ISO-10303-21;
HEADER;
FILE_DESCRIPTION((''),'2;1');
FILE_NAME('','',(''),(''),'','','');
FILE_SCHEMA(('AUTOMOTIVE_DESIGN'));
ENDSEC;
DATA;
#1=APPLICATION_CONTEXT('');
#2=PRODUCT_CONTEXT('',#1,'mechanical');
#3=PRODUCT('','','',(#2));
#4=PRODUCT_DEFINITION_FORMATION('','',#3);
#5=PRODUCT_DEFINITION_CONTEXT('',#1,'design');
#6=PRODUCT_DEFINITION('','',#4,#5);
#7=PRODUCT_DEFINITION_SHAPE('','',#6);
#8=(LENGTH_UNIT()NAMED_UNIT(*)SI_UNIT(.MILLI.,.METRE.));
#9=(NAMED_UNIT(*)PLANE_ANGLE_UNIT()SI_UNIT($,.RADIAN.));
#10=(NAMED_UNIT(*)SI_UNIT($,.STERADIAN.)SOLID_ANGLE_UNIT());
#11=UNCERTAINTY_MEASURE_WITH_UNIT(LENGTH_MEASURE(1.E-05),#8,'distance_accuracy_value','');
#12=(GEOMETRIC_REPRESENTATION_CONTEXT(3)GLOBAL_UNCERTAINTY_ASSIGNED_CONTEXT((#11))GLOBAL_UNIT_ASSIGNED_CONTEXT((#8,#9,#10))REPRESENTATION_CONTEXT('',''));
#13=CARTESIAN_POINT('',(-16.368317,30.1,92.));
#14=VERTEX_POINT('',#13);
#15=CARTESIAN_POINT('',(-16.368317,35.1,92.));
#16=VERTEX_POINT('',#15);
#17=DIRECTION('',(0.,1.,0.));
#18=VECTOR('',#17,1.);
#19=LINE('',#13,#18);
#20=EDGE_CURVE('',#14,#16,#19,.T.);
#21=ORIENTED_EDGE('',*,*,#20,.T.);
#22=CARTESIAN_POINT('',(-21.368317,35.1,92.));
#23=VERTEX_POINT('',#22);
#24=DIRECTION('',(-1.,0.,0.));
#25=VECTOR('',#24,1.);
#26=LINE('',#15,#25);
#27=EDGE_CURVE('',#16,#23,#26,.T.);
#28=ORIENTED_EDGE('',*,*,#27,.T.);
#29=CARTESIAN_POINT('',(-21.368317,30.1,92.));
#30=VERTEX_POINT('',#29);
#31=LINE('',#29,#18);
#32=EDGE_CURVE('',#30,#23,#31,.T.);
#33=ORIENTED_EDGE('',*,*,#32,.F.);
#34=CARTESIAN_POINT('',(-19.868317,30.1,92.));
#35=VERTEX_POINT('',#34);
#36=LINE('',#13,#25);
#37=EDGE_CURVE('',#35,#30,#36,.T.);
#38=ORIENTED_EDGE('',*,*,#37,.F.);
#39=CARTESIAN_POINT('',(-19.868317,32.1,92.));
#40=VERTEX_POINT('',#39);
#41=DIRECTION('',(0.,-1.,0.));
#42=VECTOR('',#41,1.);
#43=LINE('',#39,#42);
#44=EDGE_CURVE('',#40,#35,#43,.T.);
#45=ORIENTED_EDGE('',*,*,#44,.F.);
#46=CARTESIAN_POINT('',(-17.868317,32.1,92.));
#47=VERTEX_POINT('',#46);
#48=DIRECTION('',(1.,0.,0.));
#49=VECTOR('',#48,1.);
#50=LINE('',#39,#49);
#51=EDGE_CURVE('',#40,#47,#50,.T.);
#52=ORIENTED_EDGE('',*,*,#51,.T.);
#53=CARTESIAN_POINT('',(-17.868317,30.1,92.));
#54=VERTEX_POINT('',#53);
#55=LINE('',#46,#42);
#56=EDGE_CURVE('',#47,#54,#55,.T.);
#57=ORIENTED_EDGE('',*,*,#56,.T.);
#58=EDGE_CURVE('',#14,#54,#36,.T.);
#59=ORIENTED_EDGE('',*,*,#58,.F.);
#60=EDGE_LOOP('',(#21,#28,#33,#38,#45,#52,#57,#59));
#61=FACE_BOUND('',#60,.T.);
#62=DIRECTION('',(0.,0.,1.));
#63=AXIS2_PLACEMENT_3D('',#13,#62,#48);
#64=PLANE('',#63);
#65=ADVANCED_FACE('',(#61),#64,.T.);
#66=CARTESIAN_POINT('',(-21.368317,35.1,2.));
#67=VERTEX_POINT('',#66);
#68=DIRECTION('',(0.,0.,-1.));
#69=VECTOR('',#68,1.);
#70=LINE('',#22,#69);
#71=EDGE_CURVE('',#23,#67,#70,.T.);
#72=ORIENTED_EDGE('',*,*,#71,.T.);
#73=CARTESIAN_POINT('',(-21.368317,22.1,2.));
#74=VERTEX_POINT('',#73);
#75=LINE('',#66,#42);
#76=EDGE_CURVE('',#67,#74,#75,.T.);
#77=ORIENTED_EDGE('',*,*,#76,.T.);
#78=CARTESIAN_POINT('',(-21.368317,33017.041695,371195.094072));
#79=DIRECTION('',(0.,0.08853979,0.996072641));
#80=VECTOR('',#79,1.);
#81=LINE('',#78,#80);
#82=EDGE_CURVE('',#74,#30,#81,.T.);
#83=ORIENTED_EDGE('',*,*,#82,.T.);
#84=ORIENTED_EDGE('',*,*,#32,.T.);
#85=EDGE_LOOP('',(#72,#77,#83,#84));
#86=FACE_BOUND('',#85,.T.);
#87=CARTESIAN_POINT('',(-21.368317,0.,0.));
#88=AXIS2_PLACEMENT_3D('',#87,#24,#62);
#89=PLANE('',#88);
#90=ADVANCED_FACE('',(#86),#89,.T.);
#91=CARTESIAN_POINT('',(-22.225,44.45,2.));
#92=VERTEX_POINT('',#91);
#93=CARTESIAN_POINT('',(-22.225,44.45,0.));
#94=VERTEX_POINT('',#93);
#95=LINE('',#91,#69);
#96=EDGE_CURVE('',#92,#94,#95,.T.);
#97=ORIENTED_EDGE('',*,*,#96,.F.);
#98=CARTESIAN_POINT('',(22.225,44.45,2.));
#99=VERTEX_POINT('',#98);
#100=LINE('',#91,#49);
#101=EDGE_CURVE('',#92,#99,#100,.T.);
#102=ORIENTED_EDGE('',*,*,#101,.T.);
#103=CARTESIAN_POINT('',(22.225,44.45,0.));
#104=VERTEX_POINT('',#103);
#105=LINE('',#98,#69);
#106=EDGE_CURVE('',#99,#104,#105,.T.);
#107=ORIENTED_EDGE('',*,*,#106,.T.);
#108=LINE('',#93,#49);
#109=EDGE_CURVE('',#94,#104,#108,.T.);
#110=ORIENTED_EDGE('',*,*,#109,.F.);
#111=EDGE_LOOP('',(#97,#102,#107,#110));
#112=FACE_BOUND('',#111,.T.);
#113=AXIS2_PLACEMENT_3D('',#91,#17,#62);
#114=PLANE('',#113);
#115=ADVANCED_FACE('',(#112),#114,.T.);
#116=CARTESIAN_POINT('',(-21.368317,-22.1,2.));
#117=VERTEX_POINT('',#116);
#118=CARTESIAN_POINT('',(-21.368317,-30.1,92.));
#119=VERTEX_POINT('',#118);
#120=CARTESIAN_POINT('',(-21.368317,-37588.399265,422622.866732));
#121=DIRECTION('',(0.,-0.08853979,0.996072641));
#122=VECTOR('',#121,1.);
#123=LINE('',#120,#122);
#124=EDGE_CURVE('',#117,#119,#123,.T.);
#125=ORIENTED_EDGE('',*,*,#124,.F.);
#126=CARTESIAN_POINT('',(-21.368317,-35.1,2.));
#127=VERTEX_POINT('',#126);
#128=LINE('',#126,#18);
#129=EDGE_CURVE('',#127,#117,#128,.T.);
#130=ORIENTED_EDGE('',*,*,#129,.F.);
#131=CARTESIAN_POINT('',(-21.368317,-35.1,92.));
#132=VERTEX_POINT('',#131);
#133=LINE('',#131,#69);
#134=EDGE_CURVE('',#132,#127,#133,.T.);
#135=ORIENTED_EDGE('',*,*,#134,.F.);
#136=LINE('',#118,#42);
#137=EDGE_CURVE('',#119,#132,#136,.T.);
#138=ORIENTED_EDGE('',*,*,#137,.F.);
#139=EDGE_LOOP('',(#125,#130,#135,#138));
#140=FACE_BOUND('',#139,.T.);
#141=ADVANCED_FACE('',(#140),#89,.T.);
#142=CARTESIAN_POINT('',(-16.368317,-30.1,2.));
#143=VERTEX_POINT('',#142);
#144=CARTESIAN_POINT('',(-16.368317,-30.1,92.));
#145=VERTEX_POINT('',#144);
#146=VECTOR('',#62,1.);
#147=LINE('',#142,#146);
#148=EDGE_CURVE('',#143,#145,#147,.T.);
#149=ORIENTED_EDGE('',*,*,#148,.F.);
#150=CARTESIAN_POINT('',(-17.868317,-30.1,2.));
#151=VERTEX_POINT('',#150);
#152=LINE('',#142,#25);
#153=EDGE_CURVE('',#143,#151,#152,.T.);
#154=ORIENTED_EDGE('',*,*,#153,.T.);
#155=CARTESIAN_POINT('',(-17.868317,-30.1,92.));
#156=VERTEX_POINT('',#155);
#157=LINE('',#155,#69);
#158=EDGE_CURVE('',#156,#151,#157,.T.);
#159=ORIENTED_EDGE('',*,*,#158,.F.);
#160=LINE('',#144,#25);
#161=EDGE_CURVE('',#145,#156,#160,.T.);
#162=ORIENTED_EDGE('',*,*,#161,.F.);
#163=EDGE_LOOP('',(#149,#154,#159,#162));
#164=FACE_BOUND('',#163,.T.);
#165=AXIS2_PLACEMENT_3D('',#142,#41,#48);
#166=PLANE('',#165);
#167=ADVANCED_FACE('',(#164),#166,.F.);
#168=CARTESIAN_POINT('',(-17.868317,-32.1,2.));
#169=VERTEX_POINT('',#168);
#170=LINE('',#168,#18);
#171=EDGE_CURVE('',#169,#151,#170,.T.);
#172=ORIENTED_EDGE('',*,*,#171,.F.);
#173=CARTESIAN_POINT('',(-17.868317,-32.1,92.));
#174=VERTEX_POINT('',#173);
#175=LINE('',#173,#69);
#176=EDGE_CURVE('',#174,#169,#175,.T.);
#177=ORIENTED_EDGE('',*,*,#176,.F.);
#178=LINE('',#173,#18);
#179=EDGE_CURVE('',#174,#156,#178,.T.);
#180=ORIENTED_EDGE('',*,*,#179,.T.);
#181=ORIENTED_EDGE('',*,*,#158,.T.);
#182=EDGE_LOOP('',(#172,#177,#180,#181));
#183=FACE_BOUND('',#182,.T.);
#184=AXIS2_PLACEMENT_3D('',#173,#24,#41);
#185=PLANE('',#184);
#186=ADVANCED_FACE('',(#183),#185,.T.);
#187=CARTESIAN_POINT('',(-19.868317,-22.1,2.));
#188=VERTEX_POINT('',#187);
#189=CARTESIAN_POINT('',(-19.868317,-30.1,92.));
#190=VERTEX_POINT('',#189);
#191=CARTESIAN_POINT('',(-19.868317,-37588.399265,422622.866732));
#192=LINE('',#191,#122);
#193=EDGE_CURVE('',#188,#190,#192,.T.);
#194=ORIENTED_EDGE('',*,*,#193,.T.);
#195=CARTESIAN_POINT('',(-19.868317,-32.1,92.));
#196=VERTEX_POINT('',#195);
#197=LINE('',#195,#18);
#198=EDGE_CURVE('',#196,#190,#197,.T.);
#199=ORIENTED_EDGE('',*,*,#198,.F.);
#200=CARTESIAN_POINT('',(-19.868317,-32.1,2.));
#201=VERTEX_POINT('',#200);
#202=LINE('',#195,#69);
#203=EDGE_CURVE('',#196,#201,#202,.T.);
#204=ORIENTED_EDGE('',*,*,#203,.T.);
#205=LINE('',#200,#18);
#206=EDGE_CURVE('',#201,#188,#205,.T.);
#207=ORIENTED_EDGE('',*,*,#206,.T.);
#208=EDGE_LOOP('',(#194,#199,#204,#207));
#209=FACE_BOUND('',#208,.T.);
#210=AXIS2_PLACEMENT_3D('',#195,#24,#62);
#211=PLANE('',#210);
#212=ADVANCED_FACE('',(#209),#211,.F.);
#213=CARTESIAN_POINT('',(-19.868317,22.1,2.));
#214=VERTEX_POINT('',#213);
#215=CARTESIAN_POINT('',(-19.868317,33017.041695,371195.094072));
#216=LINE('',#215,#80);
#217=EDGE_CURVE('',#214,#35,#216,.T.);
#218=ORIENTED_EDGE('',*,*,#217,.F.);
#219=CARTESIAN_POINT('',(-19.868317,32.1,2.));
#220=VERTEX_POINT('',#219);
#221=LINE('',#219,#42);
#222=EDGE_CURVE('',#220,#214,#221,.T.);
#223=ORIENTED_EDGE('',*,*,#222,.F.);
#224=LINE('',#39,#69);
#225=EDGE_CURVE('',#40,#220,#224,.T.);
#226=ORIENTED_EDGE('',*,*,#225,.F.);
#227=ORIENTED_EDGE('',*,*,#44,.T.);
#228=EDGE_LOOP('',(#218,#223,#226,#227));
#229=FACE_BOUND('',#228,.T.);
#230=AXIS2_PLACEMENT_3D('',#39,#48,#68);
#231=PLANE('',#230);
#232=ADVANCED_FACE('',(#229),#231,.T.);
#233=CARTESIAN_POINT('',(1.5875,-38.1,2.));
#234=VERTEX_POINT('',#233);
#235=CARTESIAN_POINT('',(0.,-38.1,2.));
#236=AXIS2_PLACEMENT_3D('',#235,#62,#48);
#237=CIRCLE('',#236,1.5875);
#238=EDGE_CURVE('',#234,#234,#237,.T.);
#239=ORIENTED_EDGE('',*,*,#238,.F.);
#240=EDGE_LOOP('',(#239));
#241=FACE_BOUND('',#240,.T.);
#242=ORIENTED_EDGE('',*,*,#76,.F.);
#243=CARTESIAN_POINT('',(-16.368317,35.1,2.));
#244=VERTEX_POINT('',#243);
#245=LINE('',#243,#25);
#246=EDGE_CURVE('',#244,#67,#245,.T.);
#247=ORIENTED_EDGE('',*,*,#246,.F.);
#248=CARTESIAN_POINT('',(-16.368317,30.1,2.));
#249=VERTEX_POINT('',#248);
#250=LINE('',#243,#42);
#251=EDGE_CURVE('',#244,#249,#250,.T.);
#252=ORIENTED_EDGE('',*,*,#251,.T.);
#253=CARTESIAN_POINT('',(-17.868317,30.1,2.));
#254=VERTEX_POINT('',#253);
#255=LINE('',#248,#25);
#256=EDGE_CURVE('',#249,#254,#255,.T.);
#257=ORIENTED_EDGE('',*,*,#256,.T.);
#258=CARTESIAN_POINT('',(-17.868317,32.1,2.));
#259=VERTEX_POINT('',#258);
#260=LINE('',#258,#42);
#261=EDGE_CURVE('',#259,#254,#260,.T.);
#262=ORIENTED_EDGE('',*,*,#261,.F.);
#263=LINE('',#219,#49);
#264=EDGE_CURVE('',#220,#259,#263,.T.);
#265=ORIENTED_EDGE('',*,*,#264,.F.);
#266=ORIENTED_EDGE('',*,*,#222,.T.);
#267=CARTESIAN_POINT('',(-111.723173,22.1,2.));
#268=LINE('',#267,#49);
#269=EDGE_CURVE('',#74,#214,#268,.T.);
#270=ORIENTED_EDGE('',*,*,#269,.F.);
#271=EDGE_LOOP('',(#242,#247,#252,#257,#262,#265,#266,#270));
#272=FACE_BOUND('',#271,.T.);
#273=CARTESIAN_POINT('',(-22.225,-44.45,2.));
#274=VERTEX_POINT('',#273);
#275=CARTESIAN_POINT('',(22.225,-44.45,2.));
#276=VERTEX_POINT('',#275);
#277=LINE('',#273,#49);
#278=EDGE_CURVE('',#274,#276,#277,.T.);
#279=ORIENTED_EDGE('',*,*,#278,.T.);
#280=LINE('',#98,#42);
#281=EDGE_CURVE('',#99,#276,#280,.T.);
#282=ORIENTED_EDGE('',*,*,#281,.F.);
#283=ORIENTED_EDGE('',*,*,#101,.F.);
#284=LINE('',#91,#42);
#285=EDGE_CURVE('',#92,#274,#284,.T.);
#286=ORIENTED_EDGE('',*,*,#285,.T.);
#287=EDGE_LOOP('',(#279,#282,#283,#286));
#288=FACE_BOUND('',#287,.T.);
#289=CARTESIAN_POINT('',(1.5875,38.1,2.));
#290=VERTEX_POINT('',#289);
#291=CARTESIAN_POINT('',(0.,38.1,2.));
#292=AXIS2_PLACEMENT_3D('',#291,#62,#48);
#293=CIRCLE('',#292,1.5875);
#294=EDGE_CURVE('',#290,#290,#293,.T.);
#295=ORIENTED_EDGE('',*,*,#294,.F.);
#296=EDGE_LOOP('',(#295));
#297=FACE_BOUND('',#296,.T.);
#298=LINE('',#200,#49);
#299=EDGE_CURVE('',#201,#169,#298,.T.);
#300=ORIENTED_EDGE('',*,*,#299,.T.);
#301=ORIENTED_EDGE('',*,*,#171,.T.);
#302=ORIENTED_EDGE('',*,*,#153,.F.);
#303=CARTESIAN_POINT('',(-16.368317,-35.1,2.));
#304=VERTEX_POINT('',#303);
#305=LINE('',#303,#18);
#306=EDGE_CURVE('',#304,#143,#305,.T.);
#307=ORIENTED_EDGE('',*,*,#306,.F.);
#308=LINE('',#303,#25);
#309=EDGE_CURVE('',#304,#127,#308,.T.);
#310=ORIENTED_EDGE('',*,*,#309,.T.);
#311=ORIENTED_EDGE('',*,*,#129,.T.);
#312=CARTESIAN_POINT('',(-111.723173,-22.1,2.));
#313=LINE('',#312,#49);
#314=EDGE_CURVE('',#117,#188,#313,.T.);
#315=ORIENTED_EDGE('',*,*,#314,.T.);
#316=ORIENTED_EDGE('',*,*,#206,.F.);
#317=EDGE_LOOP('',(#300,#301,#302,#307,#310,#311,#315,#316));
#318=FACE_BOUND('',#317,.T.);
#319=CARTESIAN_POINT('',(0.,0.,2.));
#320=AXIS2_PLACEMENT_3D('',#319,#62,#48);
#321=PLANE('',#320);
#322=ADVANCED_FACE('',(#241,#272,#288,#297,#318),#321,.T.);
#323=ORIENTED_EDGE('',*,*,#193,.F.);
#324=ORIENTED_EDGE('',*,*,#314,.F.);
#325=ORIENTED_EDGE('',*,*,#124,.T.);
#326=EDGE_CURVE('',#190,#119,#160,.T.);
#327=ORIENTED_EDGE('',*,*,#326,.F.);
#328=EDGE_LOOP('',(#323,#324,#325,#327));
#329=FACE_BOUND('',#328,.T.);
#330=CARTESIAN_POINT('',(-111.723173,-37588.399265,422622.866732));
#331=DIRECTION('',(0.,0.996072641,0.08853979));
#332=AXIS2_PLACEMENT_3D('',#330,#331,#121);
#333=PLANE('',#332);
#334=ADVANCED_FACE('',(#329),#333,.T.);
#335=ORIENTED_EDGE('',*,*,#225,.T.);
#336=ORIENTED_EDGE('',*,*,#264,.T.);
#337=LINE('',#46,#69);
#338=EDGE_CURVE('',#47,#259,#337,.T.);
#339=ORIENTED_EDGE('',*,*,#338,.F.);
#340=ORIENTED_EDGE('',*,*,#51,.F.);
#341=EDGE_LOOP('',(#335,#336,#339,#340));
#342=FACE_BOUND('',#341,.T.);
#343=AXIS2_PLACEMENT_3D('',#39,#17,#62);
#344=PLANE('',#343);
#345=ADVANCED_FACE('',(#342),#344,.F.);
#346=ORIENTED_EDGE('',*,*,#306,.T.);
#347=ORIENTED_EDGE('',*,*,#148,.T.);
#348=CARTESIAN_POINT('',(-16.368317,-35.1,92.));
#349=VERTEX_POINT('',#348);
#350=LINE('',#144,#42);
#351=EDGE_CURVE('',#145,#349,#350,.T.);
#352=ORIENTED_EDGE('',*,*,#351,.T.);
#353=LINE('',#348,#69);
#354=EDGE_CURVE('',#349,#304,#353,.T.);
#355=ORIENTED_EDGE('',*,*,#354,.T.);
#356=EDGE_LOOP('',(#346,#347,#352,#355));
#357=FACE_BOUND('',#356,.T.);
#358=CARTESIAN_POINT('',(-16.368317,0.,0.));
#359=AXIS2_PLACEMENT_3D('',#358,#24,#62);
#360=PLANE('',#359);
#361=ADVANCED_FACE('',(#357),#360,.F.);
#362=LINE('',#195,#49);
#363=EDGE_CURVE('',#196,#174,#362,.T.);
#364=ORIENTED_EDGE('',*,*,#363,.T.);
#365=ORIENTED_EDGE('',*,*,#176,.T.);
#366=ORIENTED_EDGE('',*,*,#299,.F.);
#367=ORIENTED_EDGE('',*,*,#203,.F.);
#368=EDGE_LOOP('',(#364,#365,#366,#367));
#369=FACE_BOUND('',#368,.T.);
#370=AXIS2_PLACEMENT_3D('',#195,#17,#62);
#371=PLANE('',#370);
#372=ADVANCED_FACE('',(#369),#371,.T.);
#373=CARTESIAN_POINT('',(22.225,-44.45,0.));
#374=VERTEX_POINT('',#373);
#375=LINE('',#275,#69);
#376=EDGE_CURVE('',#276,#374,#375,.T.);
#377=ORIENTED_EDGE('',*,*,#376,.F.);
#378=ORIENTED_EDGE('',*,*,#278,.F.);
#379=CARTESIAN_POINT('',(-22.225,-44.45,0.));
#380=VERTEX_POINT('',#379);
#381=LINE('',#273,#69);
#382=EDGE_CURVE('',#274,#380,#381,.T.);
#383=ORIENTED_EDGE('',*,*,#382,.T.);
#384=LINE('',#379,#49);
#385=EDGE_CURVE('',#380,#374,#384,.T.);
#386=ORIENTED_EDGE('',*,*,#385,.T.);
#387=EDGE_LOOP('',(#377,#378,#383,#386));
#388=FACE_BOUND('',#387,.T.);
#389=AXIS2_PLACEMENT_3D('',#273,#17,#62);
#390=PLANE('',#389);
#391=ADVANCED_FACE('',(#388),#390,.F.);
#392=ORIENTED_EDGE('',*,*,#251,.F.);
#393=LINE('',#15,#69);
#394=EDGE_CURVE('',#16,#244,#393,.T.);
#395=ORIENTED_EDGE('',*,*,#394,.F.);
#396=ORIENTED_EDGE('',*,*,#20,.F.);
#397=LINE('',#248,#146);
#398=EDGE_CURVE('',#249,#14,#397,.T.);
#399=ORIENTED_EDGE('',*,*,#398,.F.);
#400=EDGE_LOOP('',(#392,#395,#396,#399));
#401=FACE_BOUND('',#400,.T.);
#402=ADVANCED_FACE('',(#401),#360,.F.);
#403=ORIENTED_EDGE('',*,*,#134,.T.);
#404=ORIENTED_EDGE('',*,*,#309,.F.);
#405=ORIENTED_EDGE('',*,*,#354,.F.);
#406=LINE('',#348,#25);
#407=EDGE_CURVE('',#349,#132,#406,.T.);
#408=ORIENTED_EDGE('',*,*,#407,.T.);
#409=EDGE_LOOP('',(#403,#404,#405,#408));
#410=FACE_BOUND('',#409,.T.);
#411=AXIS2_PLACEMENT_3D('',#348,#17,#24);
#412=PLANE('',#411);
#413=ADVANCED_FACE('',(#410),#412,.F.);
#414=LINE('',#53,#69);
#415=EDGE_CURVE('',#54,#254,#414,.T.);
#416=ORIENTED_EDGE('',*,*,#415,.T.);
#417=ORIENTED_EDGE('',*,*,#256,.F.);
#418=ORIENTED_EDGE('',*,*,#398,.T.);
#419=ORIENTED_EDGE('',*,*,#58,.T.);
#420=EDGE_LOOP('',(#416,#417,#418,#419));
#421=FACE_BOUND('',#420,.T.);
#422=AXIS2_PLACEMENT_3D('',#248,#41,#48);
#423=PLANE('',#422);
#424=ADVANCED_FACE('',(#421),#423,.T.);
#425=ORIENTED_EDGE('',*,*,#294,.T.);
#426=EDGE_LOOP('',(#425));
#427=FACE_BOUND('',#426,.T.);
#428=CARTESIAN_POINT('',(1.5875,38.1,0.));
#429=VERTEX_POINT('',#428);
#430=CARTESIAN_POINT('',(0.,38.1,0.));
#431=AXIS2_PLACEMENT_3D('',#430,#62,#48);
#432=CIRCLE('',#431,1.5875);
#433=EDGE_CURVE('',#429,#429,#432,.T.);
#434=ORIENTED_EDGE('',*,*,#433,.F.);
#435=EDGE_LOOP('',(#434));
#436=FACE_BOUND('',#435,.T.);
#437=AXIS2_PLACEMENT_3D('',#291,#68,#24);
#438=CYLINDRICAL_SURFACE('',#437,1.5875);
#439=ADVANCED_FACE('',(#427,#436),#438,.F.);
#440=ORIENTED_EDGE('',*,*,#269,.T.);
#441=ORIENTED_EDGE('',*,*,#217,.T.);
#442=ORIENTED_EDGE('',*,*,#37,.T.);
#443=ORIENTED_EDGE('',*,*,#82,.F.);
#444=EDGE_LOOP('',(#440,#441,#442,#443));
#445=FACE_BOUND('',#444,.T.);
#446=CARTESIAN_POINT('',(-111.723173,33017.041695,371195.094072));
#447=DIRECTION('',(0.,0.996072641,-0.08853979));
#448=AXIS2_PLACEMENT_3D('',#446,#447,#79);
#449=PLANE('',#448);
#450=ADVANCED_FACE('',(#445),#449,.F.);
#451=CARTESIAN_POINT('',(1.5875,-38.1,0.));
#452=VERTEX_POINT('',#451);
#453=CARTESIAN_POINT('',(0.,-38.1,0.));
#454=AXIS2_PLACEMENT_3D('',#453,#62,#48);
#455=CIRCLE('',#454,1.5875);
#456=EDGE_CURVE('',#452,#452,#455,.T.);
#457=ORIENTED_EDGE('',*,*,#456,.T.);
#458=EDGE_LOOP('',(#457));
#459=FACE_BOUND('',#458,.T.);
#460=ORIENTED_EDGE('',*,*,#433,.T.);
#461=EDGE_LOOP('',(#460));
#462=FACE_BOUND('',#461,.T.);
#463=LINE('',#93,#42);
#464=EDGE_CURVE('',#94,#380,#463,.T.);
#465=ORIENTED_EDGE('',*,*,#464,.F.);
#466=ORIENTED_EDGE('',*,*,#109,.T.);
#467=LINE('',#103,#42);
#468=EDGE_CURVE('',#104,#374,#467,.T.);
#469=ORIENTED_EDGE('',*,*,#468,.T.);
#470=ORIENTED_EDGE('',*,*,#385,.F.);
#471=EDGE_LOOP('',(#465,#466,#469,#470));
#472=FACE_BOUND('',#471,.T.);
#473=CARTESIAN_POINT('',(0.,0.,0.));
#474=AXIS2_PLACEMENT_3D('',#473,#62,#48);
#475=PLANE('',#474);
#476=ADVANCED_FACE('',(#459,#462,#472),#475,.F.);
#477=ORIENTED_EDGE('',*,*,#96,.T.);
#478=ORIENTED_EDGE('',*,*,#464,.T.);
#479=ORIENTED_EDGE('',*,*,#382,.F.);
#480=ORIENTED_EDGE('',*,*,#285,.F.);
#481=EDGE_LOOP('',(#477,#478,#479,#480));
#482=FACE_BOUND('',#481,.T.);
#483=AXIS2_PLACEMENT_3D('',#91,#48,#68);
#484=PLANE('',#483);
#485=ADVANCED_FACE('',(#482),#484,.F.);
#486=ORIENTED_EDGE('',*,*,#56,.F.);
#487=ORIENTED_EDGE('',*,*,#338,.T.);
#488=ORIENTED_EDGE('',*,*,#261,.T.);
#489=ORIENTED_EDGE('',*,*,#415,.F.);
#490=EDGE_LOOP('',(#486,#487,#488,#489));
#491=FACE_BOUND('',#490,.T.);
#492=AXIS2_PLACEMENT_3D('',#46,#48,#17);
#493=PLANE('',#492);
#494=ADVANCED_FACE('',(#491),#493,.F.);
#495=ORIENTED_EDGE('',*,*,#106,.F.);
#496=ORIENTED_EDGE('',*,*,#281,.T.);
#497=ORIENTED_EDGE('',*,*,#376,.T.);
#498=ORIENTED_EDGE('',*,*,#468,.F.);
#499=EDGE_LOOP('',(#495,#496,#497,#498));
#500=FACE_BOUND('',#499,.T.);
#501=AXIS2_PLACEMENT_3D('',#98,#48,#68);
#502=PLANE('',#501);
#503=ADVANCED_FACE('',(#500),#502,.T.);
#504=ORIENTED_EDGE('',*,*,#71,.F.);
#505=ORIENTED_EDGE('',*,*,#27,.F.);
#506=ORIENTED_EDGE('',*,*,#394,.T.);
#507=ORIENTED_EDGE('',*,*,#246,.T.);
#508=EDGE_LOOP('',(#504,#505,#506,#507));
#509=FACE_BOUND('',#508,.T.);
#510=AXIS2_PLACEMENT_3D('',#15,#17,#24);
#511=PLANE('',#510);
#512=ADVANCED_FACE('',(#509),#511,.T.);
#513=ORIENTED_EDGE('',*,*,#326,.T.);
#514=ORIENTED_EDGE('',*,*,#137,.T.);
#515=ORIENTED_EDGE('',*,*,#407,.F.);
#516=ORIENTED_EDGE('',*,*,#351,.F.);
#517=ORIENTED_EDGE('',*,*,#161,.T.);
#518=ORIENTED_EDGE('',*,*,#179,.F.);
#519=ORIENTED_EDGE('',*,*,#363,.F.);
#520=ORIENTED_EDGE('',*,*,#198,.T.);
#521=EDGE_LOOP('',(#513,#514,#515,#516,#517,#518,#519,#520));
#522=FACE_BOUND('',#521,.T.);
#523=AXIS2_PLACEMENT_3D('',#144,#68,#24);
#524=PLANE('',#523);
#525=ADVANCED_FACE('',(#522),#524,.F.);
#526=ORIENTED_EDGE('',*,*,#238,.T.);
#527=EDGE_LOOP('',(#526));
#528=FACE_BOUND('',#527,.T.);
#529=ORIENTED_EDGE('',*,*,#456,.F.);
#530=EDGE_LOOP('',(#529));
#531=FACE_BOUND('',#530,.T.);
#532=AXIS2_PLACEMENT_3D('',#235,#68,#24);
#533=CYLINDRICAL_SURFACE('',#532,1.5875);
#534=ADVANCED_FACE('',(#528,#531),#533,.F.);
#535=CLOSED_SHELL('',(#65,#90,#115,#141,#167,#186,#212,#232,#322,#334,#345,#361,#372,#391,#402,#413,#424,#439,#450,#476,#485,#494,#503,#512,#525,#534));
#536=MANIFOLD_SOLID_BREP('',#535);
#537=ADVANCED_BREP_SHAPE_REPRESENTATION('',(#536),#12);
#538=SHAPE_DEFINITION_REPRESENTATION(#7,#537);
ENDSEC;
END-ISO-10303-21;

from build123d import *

# Parameters (mm, degrees)
FRONT_FACE_W        = 44.45
FRONT_FACE_H        = 88.9
FRONT_FACE_R        = 1.5875
BOSS_EXTRUDE1_DEPTH = 2
CANTIARM_W          = 90
CANTIARM_H          = 5
BOSS_EXTRUDE2_DEPTH = 2.5
CHANNEL_W           = 2
CHANNEL_H           = 2
CUT_EXTRUDE1_DEPTH  = 91
BOSS_EXTRUDE5_START = 1
BOSS_EXTRUDE5_DEPTH = 1.5


with BuildPart() as part:
    # Front Face → Boss-Extrude1 (new body)
    with BuildSketch(Plane.XY):
        Rectangle(FRONT_FACE_W, FRONT_FACE_H)
        with Locations((0, 38.1)):
            Circle(FRONT_FACE_R, mode=Mode.SUBTRACT)
        with Locations((0, -38.1)):
            Circle(FRONT_FACE_R, mode=Mode.SUBTRACT)
    extrude(amount=BOSS_EXTRUDE1_DEPTH)

    # CantiArm → Boss-Extrude2 (add, symmetric)
    with BuildSketch(Plane.ZY.offset(18.868316672)):
        with Locations((47, 32.6)):
            Rectangle(CANTIARM_W, CANTIARM_H)
    boss_extrude2 = extrude(amount=BOSS_EXTRUDE2_DEPTH, both=True)

    # Channel → Cut-Extrude1 (cut, through all)
    with BuildSketch(Plane.XY.offset(2)):
        with Locations((-18.868316672, 31.1)):
            Rectangle(CHANNEL_W, CHANNEL_H)
    cut_extrude1 = extrude(amount=CUT_EXTRUDE1_DEPTH, mode=Mode.SUBTRACT)

    # Sketch5 → Boss-Extrude5 (add)
    with BuildSketch(Plane.ZY.offset(18.868316672).offset(BOSS_EXTRUDE5_START)):
        Polygon((2, 22.1), (92, 30.1), (2, 30.1), align=None)
    boss_extrude5 = extrude(amount=BOSS_EXTRUDE5_DEPTH)

    # Mirror1: Boss-Extrude2, Cut-Extrude1, Boss-Extrude5 across plane
    add(boss_extrude2.mirror(Plane.ZX))
    add(cut_extrude1.mirror(Plane.ZX), mode=Mode.SUBTRACT)
    add(boss_extrude5.mirror(Plane.ZX))


solid = part.part
